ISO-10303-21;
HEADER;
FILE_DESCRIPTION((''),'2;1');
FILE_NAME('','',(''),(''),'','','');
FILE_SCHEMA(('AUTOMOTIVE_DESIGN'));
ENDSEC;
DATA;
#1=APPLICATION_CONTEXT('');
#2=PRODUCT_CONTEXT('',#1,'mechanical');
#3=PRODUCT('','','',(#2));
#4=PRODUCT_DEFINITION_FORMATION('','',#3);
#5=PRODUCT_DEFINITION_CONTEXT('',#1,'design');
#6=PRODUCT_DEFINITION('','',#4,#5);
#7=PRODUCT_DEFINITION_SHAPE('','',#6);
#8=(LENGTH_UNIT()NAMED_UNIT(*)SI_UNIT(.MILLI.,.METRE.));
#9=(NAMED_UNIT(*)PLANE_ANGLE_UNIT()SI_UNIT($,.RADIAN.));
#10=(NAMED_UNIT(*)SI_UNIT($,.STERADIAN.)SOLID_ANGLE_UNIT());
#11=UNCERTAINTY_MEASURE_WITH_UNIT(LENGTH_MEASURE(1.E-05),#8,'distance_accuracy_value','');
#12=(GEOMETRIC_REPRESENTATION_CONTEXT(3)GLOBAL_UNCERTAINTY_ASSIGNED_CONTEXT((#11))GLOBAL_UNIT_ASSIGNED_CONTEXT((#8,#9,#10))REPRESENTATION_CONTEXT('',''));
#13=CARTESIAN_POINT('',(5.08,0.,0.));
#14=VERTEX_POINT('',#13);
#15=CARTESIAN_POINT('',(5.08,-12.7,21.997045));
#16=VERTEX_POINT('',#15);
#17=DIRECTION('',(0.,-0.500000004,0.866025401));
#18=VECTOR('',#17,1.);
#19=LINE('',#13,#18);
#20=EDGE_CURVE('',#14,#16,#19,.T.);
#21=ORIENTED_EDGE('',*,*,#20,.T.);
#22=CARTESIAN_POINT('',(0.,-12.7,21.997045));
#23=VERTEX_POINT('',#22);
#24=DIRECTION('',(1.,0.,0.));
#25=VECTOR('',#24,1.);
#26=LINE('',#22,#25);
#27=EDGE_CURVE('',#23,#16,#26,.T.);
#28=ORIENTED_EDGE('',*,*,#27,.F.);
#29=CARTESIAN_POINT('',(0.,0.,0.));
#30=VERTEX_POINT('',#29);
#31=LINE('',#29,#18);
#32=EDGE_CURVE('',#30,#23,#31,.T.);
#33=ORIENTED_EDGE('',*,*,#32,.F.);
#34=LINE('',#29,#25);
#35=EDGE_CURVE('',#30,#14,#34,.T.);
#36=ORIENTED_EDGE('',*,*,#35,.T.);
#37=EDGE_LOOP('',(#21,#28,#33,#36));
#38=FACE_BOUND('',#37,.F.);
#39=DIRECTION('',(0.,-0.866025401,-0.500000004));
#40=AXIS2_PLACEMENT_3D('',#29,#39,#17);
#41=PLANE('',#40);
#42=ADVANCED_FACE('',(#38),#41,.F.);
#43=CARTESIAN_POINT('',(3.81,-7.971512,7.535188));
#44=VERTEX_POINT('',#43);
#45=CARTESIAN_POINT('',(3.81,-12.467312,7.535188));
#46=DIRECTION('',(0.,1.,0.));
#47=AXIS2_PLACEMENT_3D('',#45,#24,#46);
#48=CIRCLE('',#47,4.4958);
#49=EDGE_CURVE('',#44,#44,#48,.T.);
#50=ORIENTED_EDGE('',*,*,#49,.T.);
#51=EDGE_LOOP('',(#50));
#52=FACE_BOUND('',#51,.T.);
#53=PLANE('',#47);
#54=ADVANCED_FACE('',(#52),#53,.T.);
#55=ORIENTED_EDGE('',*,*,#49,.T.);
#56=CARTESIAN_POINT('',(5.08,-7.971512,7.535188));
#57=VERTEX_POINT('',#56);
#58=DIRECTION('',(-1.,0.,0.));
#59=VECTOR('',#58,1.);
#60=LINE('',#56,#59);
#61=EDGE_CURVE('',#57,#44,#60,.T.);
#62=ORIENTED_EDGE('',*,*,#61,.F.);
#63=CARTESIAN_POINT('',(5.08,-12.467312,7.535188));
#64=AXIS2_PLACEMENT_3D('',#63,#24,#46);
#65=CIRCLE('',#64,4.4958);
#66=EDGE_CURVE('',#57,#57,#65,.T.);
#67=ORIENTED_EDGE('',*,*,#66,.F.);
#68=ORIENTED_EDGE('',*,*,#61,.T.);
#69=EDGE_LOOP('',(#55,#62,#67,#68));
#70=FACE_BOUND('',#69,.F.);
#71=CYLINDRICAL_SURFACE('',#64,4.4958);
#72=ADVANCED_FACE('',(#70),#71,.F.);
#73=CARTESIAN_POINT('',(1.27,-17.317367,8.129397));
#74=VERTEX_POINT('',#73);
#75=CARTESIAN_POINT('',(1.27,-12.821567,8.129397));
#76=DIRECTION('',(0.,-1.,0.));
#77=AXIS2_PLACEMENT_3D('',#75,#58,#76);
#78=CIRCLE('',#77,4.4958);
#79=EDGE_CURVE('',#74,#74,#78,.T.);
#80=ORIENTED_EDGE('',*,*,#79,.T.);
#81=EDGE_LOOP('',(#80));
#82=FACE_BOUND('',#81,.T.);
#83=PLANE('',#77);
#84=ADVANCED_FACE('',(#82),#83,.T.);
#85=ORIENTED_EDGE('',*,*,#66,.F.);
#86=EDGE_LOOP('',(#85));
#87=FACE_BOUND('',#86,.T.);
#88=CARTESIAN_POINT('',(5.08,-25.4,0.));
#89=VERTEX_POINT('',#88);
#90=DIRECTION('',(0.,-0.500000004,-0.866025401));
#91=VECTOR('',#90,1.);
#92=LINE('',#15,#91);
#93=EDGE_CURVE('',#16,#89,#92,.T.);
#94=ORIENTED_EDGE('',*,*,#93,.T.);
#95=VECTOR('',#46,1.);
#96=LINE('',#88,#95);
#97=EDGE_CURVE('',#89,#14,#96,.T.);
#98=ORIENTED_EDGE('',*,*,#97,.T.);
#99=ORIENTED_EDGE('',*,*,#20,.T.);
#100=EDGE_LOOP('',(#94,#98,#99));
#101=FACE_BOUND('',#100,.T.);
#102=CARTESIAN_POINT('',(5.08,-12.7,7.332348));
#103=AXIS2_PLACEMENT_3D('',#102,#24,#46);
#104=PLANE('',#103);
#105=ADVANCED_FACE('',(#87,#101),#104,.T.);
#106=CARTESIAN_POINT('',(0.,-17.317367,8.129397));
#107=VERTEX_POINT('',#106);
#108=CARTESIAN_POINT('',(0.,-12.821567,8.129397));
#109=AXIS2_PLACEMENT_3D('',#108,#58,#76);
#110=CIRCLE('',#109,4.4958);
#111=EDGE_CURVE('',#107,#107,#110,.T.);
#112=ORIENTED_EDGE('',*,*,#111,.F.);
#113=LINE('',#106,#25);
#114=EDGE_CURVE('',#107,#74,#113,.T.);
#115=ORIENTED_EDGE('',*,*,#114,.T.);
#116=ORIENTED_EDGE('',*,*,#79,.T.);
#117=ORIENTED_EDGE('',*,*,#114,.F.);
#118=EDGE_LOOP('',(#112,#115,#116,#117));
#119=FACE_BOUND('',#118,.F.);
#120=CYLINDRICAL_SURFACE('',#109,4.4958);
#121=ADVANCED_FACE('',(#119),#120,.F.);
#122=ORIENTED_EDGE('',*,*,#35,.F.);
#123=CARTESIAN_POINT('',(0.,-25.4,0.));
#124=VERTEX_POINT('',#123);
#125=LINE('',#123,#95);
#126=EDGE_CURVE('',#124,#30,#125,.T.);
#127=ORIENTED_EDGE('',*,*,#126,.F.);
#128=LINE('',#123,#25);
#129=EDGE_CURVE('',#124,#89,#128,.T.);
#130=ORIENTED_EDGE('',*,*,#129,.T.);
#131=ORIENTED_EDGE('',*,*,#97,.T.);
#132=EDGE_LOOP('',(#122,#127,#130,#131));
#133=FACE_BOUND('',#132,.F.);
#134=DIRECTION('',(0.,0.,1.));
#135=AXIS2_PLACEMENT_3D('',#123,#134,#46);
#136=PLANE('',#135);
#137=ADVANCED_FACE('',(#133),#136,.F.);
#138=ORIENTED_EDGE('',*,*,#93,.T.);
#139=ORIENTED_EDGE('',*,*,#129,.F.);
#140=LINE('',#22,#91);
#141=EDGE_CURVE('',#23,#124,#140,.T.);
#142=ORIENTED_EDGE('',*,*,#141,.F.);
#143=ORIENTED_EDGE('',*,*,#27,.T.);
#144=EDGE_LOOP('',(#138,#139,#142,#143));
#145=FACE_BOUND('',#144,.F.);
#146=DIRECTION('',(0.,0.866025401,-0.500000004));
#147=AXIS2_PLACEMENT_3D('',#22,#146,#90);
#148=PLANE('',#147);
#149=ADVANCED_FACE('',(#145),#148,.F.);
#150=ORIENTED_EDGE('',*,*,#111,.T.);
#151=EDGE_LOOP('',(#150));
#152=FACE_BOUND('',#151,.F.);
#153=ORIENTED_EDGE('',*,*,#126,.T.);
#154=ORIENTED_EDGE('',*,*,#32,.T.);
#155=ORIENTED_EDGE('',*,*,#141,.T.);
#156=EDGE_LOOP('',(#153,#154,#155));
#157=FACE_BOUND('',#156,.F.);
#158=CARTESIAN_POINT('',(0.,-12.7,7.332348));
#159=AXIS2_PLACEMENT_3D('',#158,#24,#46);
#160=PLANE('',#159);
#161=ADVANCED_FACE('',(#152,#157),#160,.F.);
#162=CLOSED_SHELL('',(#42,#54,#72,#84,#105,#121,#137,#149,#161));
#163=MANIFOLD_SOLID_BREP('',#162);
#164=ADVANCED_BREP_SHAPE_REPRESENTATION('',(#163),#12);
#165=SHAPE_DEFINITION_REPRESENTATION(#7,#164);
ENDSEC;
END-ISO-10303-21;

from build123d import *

# Parameters (mm, degrees)
F1_DEPTH = 5.08
F2_R     = 4.4958
F3_DEPTH = 1.27
F4_R     = 4.4958
F5_DEPTH = 1.27


with BuildPart() as f1:
    # F0 (on Right) → F1 (new body)
    with BuildSketch(Plane.YZ):
        Polygon((0, 0), (-12.7, 21.997045), (-25.4, 0), align=None)
    extrude(amount=F1_DEPTH)

    # F2 (on face) → F3 (cut)
    with BuildSketch(Plane.YZ.offset(5.08)):
        with Locations((-12.467312, 7.535188)):
            Circle(F2_R)
    extrude(amount=-F3_DEPTH, mode=Mode.SUBTRACT)

    # F4 (on face) → F5 (cut)
    with BuildSketch(Plane(origin=(0, 0, 0), x_dir=(0, -1, 0), z_dir=(-1, 0, 0))):
        with Locations((12.821567, 8.129397)):
            Circle(F4_R)
    extrude(amount=-F5_DEPTH, mode=Mode.SUBTRACT)


solid = f1.part
